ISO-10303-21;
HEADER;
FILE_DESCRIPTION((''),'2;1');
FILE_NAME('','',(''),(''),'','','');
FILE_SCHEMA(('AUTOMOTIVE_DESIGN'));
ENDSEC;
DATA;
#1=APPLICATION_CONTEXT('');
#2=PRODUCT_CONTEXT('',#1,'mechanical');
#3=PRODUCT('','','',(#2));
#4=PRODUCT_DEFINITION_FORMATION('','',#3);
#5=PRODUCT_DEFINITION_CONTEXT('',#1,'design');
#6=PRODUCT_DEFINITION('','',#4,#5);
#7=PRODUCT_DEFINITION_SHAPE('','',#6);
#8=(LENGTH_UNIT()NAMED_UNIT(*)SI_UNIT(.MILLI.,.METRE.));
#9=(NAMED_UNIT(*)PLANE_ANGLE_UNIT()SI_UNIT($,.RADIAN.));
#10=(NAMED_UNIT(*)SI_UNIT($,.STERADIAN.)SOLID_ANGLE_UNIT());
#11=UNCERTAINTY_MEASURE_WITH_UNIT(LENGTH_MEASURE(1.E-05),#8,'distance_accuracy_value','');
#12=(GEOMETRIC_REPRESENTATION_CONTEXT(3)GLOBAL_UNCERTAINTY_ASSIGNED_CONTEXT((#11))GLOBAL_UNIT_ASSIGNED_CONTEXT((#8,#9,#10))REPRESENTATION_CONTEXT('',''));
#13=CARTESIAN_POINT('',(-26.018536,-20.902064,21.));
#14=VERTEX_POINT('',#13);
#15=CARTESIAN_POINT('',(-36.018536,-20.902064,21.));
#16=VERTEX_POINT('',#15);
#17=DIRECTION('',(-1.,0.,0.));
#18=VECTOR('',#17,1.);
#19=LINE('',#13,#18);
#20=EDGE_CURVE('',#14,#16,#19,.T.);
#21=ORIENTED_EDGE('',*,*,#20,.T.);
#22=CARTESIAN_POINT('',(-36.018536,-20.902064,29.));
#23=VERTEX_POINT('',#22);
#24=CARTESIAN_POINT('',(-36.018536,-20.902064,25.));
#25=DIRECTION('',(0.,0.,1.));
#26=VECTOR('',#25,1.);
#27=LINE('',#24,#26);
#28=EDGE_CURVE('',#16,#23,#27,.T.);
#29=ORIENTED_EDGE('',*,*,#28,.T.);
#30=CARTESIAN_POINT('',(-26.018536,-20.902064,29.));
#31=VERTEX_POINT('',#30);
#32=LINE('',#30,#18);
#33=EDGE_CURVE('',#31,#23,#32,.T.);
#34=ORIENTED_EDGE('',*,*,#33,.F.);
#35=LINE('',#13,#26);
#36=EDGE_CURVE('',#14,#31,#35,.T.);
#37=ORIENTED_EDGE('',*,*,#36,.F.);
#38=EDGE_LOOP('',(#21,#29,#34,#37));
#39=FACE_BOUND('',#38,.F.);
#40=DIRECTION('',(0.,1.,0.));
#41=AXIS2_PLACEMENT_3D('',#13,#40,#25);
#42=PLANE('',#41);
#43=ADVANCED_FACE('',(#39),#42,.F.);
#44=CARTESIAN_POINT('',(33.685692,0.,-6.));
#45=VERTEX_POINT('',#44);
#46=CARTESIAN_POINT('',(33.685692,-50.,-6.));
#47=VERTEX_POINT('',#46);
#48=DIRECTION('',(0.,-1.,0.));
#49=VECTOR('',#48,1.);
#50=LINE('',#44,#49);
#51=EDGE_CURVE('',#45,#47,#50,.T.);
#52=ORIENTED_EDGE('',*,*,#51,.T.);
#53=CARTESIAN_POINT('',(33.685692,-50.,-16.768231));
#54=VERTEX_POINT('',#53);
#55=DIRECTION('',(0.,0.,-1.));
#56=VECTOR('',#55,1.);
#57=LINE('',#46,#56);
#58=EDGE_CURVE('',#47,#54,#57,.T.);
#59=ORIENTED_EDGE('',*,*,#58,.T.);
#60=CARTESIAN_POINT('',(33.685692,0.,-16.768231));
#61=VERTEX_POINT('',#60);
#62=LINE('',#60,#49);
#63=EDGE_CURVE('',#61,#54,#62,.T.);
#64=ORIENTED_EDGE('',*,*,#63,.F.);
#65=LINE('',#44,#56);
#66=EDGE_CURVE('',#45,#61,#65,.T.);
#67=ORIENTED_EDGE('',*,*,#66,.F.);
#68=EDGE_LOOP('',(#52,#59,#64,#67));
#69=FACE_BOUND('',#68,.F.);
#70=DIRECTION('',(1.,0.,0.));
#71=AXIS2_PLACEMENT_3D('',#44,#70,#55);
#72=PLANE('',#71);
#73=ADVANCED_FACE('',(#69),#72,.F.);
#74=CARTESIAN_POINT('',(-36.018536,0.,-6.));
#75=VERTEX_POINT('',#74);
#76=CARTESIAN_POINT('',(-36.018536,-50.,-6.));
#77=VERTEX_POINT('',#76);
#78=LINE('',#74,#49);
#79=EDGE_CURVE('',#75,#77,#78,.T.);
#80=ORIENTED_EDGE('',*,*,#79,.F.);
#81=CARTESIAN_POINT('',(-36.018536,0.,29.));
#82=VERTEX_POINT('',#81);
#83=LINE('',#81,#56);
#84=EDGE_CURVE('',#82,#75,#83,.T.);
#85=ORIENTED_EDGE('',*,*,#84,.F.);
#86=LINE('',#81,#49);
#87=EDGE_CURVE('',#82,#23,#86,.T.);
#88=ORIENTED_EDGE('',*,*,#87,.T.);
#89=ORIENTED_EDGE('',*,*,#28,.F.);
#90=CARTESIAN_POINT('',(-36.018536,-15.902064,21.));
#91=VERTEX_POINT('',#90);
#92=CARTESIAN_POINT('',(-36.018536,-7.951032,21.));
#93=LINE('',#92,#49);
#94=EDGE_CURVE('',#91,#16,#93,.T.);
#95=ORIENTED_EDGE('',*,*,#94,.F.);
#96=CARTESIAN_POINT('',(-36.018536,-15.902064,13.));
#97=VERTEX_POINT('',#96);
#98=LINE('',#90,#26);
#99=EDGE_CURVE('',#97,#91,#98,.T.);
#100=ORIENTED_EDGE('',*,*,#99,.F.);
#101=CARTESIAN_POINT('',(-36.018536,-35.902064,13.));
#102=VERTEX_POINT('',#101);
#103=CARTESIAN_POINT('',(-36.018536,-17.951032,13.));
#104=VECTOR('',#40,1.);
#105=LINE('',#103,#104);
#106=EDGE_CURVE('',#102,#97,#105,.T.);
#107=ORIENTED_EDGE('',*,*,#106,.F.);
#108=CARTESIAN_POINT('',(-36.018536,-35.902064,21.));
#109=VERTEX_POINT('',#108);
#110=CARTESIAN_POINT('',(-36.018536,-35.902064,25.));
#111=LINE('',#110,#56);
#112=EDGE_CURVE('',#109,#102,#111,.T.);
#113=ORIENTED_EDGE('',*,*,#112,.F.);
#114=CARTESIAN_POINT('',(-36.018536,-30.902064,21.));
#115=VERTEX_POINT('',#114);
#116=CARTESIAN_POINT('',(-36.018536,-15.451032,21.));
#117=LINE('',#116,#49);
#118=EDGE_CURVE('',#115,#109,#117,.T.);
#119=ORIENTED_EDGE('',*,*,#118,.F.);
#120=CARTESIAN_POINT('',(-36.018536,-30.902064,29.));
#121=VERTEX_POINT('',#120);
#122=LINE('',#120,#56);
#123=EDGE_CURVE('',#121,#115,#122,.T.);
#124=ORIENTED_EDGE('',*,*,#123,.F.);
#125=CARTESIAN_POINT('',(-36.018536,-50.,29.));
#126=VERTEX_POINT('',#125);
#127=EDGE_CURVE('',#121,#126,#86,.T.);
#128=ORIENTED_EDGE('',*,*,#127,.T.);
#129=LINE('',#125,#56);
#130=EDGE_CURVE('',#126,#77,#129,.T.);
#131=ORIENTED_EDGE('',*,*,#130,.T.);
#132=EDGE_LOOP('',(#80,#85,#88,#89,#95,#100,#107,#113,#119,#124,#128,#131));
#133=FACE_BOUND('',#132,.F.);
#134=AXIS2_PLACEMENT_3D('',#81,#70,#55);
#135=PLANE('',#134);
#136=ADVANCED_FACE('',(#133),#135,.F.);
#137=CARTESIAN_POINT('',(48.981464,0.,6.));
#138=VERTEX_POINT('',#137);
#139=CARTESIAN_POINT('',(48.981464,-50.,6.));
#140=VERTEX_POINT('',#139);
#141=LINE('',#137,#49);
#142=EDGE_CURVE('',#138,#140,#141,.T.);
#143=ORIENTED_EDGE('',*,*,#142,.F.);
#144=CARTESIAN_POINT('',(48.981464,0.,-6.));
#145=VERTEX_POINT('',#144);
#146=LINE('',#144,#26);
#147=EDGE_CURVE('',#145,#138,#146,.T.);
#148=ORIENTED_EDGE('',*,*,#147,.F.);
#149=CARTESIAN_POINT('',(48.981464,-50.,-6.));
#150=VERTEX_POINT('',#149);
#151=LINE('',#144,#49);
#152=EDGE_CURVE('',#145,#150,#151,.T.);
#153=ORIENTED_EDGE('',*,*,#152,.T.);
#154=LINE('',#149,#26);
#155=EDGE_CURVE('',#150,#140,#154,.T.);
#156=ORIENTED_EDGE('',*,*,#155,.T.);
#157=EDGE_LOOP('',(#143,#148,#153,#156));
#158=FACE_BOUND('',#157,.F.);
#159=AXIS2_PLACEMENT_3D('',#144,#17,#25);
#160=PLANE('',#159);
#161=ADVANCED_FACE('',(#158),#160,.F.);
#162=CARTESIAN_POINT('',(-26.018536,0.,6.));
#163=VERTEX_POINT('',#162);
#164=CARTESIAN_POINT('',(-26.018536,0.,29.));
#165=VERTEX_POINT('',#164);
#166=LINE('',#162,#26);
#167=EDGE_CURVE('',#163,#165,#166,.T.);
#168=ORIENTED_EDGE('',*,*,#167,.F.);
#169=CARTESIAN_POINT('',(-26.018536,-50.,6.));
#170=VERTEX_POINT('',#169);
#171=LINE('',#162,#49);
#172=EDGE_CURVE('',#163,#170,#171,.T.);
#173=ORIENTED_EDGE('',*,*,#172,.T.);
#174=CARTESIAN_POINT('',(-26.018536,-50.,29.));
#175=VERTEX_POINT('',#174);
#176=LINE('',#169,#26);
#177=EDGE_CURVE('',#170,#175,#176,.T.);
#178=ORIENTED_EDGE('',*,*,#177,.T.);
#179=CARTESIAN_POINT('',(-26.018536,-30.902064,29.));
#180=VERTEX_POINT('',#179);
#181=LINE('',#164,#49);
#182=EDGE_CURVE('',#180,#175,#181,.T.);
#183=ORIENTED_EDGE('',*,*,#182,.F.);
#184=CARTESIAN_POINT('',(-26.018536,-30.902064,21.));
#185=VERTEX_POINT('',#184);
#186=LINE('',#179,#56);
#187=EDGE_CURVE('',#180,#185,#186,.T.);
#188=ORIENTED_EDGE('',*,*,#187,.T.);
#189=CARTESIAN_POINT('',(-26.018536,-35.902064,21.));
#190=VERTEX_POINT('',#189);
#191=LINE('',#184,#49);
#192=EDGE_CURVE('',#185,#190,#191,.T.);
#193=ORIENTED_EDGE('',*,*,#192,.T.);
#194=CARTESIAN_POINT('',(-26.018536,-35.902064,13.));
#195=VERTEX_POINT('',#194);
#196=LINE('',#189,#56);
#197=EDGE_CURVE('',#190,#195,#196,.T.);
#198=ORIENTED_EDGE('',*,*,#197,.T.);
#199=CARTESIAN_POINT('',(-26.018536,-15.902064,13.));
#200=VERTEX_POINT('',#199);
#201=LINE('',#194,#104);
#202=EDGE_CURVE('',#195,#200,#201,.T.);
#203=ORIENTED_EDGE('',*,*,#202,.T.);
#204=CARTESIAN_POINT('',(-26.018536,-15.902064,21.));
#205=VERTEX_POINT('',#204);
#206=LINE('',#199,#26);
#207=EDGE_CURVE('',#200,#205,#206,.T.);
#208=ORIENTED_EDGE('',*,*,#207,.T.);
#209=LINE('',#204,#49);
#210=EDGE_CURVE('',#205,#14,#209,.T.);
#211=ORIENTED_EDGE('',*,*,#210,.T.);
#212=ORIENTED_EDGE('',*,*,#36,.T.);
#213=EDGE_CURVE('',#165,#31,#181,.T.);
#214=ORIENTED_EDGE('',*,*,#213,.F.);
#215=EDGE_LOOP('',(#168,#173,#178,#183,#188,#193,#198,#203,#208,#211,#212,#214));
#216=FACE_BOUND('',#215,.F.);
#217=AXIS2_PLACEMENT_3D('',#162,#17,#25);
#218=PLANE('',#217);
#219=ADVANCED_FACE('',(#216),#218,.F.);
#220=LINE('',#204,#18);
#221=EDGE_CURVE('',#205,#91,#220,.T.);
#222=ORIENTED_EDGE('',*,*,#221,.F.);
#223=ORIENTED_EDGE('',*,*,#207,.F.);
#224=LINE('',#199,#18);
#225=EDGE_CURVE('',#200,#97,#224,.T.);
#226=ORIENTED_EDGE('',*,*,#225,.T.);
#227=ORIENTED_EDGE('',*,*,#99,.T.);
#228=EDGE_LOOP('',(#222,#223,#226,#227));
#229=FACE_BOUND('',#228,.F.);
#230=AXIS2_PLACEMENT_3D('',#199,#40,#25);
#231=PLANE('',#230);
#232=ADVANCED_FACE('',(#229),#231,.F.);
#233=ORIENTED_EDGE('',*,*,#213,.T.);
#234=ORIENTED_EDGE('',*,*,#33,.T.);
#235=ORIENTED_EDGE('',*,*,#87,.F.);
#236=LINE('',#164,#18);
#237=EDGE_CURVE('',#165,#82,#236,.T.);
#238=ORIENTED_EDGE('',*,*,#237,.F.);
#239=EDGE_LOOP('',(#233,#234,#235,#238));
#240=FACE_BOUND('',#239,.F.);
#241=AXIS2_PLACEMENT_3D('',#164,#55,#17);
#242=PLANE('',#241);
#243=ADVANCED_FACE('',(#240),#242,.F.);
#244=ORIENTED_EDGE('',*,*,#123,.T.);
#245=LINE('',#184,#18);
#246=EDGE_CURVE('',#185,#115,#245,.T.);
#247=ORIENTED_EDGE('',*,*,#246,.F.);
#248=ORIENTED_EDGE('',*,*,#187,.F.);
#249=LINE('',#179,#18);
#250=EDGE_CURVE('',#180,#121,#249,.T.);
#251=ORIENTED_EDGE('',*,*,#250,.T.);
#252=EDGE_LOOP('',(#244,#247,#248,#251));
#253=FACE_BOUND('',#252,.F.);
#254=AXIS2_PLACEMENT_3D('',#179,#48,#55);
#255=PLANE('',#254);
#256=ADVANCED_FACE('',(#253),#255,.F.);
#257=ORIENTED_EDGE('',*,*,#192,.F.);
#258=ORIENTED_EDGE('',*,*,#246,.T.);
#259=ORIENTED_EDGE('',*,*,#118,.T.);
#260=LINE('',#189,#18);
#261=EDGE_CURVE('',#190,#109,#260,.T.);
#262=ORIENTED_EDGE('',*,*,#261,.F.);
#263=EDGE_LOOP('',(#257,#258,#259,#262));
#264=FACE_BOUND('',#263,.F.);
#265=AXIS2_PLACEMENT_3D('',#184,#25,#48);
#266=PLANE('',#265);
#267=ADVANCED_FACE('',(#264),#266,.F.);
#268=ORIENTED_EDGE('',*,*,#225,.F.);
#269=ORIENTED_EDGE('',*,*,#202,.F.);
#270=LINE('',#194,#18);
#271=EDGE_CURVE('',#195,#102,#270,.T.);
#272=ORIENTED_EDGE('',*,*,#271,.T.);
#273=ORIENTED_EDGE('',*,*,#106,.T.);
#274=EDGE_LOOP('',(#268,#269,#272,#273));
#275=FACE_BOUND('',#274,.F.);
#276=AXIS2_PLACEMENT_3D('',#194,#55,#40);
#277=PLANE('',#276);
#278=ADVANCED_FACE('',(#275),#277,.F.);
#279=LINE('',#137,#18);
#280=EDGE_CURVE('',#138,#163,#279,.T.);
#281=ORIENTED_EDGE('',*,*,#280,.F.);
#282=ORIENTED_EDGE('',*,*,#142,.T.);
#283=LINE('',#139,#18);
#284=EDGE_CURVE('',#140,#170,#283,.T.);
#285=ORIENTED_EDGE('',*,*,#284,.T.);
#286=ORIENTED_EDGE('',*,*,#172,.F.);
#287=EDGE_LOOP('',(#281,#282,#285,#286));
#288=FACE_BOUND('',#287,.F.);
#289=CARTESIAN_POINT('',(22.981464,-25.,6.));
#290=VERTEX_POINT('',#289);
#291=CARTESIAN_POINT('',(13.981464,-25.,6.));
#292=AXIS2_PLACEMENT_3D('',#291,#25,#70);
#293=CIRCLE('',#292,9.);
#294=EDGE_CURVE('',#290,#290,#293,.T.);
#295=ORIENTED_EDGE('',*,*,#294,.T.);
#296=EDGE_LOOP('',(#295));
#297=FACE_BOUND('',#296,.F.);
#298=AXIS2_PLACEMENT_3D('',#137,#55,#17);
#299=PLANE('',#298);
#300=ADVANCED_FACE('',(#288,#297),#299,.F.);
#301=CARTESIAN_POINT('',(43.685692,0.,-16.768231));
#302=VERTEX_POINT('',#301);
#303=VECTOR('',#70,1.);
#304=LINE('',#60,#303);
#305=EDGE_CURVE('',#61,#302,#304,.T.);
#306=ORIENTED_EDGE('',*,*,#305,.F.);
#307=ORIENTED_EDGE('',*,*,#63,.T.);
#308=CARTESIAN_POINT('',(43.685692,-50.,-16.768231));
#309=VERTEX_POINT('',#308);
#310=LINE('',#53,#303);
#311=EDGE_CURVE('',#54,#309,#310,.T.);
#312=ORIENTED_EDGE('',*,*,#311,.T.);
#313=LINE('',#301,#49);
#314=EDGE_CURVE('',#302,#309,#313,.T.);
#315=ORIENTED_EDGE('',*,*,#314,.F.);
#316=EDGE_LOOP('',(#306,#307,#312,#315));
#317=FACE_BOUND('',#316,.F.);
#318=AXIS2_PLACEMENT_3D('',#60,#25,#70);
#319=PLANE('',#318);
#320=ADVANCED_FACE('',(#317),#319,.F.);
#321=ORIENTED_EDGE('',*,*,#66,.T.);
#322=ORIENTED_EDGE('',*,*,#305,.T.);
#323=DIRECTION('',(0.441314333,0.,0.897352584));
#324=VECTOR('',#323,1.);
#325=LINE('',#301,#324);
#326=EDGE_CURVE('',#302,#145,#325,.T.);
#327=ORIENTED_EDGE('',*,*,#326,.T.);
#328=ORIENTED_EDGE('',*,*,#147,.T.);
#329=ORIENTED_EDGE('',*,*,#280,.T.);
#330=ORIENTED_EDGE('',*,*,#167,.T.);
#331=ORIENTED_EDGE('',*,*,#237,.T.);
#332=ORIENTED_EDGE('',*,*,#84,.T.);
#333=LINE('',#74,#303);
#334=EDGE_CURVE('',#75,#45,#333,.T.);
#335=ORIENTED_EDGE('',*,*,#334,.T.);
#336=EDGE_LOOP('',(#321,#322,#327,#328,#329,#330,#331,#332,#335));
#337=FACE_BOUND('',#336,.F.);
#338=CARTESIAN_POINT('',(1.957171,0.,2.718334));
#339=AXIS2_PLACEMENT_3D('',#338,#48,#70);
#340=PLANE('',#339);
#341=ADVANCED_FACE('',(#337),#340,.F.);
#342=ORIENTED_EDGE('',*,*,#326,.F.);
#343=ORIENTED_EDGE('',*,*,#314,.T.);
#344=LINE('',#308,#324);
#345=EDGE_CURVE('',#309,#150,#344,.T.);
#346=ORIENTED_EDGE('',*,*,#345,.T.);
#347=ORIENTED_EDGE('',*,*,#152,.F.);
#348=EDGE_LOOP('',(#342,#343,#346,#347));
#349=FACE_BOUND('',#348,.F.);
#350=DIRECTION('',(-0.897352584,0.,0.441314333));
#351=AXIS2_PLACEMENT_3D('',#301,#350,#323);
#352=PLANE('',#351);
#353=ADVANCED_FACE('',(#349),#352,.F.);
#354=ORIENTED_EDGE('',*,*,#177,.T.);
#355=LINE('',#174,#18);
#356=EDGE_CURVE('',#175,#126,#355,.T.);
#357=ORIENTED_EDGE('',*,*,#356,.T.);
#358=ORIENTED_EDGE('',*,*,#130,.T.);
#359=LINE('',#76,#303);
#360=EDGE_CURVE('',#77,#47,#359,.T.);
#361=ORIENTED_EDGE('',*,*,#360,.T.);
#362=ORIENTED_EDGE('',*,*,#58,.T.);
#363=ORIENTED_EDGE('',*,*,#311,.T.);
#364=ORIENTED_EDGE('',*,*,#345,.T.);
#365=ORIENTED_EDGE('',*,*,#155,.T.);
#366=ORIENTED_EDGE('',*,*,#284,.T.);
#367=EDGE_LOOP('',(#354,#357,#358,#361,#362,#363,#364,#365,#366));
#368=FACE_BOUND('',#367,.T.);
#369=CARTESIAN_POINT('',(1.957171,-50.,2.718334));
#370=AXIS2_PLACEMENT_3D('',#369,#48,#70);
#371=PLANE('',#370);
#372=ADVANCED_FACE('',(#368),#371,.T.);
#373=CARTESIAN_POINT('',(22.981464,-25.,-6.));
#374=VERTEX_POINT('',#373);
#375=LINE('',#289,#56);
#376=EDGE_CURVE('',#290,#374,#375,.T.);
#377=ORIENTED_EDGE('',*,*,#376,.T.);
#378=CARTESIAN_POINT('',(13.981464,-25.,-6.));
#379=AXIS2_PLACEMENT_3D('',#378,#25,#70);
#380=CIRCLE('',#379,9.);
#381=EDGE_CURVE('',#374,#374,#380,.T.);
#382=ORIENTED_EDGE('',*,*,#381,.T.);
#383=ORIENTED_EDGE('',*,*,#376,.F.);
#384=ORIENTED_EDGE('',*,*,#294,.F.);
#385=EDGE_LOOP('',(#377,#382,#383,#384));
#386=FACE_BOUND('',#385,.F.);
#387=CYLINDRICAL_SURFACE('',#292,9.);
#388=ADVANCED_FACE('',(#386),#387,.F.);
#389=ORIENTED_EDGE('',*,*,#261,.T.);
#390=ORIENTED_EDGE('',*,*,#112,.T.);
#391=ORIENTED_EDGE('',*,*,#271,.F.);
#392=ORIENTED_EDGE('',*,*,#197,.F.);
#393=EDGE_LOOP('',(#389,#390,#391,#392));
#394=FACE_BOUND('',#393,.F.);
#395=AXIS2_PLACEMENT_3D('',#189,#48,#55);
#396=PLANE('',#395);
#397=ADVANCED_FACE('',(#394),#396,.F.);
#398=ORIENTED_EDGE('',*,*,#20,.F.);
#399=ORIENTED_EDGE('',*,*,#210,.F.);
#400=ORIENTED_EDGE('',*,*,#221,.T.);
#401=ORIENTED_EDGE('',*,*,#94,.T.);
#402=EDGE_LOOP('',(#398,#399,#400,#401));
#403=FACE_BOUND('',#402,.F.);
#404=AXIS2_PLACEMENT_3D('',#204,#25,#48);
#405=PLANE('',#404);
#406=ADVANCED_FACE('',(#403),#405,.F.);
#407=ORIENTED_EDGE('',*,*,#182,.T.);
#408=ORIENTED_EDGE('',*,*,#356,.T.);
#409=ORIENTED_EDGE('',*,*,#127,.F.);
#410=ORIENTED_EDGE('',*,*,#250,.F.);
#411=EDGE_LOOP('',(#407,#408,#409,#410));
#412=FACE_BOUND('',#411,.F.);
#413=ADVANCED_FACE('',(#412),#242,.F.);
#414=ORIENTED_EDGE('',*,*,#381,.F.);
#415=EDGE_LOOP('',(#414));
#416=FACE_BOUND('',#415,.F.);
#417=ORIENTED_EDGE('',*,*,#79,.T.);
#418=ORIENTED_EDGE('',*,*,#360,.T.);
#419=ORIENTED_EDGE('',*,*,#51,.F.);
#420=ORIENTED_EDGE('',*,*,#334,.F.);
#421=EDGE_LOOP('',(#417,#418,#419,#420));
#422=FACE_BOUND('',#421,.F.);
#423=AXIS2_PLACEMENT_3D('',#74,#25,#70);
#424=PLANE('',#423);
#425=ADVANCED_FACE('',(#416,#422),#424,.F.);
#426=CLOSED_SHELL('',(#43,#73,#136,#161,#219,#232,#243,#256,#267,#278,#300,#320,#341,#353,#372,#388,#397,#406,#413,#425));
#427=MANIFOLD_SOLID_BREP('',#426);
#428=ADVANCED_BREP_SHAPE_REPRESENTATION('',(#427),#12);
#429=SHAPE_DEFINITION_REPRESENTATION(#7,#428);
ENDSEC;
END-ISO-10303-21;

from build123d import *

# Parameters (mm, degrees)
F1_DEPTH = 50
F3_DEPTH = 25
F4_R     = 9
F5_DEPTH = 25


with BuildPart() as f1:
    # F0 (on Front) → F1 (new body)
    with BuildSketch(Plane.XZ):
        Polygon((48.981464, 6), (-26.018536, 6), (-26.018536, 29), (-36.018536, 29), (-36.018536, -6), (33.685692, -6), (33.685692, -16.768231), (43.685692, -16.768231), (48.981464, -6), align=None)
    extrude(amount=F1_DEPTH)

    # F2 (on face) → F3 (cut)
    with BuildSketch(Plane.YZ.offset(-26.018536)):
        Polygon((-20.902064, 29), (-30.902064, 29), (-30.902064, 21), (-35.902064, 21), (-35.902064, 13), (-15.902064, 13), (-15.902064, 21), (-20.902064, 21), align=None)
    extrude(amount=-F3_DEPTH, mode=Mode.SUBTRACT)

    # F4 (on face) → F5 (cut)
    with BuildSketch(Plane.XY.offset(6)):
        with Locations((13.981464, -25)):
            Circle(F4_R)
    extrude(amount=-F5_DEPTH, mode=Mode.SUBTRACT)


solid = f1.part
